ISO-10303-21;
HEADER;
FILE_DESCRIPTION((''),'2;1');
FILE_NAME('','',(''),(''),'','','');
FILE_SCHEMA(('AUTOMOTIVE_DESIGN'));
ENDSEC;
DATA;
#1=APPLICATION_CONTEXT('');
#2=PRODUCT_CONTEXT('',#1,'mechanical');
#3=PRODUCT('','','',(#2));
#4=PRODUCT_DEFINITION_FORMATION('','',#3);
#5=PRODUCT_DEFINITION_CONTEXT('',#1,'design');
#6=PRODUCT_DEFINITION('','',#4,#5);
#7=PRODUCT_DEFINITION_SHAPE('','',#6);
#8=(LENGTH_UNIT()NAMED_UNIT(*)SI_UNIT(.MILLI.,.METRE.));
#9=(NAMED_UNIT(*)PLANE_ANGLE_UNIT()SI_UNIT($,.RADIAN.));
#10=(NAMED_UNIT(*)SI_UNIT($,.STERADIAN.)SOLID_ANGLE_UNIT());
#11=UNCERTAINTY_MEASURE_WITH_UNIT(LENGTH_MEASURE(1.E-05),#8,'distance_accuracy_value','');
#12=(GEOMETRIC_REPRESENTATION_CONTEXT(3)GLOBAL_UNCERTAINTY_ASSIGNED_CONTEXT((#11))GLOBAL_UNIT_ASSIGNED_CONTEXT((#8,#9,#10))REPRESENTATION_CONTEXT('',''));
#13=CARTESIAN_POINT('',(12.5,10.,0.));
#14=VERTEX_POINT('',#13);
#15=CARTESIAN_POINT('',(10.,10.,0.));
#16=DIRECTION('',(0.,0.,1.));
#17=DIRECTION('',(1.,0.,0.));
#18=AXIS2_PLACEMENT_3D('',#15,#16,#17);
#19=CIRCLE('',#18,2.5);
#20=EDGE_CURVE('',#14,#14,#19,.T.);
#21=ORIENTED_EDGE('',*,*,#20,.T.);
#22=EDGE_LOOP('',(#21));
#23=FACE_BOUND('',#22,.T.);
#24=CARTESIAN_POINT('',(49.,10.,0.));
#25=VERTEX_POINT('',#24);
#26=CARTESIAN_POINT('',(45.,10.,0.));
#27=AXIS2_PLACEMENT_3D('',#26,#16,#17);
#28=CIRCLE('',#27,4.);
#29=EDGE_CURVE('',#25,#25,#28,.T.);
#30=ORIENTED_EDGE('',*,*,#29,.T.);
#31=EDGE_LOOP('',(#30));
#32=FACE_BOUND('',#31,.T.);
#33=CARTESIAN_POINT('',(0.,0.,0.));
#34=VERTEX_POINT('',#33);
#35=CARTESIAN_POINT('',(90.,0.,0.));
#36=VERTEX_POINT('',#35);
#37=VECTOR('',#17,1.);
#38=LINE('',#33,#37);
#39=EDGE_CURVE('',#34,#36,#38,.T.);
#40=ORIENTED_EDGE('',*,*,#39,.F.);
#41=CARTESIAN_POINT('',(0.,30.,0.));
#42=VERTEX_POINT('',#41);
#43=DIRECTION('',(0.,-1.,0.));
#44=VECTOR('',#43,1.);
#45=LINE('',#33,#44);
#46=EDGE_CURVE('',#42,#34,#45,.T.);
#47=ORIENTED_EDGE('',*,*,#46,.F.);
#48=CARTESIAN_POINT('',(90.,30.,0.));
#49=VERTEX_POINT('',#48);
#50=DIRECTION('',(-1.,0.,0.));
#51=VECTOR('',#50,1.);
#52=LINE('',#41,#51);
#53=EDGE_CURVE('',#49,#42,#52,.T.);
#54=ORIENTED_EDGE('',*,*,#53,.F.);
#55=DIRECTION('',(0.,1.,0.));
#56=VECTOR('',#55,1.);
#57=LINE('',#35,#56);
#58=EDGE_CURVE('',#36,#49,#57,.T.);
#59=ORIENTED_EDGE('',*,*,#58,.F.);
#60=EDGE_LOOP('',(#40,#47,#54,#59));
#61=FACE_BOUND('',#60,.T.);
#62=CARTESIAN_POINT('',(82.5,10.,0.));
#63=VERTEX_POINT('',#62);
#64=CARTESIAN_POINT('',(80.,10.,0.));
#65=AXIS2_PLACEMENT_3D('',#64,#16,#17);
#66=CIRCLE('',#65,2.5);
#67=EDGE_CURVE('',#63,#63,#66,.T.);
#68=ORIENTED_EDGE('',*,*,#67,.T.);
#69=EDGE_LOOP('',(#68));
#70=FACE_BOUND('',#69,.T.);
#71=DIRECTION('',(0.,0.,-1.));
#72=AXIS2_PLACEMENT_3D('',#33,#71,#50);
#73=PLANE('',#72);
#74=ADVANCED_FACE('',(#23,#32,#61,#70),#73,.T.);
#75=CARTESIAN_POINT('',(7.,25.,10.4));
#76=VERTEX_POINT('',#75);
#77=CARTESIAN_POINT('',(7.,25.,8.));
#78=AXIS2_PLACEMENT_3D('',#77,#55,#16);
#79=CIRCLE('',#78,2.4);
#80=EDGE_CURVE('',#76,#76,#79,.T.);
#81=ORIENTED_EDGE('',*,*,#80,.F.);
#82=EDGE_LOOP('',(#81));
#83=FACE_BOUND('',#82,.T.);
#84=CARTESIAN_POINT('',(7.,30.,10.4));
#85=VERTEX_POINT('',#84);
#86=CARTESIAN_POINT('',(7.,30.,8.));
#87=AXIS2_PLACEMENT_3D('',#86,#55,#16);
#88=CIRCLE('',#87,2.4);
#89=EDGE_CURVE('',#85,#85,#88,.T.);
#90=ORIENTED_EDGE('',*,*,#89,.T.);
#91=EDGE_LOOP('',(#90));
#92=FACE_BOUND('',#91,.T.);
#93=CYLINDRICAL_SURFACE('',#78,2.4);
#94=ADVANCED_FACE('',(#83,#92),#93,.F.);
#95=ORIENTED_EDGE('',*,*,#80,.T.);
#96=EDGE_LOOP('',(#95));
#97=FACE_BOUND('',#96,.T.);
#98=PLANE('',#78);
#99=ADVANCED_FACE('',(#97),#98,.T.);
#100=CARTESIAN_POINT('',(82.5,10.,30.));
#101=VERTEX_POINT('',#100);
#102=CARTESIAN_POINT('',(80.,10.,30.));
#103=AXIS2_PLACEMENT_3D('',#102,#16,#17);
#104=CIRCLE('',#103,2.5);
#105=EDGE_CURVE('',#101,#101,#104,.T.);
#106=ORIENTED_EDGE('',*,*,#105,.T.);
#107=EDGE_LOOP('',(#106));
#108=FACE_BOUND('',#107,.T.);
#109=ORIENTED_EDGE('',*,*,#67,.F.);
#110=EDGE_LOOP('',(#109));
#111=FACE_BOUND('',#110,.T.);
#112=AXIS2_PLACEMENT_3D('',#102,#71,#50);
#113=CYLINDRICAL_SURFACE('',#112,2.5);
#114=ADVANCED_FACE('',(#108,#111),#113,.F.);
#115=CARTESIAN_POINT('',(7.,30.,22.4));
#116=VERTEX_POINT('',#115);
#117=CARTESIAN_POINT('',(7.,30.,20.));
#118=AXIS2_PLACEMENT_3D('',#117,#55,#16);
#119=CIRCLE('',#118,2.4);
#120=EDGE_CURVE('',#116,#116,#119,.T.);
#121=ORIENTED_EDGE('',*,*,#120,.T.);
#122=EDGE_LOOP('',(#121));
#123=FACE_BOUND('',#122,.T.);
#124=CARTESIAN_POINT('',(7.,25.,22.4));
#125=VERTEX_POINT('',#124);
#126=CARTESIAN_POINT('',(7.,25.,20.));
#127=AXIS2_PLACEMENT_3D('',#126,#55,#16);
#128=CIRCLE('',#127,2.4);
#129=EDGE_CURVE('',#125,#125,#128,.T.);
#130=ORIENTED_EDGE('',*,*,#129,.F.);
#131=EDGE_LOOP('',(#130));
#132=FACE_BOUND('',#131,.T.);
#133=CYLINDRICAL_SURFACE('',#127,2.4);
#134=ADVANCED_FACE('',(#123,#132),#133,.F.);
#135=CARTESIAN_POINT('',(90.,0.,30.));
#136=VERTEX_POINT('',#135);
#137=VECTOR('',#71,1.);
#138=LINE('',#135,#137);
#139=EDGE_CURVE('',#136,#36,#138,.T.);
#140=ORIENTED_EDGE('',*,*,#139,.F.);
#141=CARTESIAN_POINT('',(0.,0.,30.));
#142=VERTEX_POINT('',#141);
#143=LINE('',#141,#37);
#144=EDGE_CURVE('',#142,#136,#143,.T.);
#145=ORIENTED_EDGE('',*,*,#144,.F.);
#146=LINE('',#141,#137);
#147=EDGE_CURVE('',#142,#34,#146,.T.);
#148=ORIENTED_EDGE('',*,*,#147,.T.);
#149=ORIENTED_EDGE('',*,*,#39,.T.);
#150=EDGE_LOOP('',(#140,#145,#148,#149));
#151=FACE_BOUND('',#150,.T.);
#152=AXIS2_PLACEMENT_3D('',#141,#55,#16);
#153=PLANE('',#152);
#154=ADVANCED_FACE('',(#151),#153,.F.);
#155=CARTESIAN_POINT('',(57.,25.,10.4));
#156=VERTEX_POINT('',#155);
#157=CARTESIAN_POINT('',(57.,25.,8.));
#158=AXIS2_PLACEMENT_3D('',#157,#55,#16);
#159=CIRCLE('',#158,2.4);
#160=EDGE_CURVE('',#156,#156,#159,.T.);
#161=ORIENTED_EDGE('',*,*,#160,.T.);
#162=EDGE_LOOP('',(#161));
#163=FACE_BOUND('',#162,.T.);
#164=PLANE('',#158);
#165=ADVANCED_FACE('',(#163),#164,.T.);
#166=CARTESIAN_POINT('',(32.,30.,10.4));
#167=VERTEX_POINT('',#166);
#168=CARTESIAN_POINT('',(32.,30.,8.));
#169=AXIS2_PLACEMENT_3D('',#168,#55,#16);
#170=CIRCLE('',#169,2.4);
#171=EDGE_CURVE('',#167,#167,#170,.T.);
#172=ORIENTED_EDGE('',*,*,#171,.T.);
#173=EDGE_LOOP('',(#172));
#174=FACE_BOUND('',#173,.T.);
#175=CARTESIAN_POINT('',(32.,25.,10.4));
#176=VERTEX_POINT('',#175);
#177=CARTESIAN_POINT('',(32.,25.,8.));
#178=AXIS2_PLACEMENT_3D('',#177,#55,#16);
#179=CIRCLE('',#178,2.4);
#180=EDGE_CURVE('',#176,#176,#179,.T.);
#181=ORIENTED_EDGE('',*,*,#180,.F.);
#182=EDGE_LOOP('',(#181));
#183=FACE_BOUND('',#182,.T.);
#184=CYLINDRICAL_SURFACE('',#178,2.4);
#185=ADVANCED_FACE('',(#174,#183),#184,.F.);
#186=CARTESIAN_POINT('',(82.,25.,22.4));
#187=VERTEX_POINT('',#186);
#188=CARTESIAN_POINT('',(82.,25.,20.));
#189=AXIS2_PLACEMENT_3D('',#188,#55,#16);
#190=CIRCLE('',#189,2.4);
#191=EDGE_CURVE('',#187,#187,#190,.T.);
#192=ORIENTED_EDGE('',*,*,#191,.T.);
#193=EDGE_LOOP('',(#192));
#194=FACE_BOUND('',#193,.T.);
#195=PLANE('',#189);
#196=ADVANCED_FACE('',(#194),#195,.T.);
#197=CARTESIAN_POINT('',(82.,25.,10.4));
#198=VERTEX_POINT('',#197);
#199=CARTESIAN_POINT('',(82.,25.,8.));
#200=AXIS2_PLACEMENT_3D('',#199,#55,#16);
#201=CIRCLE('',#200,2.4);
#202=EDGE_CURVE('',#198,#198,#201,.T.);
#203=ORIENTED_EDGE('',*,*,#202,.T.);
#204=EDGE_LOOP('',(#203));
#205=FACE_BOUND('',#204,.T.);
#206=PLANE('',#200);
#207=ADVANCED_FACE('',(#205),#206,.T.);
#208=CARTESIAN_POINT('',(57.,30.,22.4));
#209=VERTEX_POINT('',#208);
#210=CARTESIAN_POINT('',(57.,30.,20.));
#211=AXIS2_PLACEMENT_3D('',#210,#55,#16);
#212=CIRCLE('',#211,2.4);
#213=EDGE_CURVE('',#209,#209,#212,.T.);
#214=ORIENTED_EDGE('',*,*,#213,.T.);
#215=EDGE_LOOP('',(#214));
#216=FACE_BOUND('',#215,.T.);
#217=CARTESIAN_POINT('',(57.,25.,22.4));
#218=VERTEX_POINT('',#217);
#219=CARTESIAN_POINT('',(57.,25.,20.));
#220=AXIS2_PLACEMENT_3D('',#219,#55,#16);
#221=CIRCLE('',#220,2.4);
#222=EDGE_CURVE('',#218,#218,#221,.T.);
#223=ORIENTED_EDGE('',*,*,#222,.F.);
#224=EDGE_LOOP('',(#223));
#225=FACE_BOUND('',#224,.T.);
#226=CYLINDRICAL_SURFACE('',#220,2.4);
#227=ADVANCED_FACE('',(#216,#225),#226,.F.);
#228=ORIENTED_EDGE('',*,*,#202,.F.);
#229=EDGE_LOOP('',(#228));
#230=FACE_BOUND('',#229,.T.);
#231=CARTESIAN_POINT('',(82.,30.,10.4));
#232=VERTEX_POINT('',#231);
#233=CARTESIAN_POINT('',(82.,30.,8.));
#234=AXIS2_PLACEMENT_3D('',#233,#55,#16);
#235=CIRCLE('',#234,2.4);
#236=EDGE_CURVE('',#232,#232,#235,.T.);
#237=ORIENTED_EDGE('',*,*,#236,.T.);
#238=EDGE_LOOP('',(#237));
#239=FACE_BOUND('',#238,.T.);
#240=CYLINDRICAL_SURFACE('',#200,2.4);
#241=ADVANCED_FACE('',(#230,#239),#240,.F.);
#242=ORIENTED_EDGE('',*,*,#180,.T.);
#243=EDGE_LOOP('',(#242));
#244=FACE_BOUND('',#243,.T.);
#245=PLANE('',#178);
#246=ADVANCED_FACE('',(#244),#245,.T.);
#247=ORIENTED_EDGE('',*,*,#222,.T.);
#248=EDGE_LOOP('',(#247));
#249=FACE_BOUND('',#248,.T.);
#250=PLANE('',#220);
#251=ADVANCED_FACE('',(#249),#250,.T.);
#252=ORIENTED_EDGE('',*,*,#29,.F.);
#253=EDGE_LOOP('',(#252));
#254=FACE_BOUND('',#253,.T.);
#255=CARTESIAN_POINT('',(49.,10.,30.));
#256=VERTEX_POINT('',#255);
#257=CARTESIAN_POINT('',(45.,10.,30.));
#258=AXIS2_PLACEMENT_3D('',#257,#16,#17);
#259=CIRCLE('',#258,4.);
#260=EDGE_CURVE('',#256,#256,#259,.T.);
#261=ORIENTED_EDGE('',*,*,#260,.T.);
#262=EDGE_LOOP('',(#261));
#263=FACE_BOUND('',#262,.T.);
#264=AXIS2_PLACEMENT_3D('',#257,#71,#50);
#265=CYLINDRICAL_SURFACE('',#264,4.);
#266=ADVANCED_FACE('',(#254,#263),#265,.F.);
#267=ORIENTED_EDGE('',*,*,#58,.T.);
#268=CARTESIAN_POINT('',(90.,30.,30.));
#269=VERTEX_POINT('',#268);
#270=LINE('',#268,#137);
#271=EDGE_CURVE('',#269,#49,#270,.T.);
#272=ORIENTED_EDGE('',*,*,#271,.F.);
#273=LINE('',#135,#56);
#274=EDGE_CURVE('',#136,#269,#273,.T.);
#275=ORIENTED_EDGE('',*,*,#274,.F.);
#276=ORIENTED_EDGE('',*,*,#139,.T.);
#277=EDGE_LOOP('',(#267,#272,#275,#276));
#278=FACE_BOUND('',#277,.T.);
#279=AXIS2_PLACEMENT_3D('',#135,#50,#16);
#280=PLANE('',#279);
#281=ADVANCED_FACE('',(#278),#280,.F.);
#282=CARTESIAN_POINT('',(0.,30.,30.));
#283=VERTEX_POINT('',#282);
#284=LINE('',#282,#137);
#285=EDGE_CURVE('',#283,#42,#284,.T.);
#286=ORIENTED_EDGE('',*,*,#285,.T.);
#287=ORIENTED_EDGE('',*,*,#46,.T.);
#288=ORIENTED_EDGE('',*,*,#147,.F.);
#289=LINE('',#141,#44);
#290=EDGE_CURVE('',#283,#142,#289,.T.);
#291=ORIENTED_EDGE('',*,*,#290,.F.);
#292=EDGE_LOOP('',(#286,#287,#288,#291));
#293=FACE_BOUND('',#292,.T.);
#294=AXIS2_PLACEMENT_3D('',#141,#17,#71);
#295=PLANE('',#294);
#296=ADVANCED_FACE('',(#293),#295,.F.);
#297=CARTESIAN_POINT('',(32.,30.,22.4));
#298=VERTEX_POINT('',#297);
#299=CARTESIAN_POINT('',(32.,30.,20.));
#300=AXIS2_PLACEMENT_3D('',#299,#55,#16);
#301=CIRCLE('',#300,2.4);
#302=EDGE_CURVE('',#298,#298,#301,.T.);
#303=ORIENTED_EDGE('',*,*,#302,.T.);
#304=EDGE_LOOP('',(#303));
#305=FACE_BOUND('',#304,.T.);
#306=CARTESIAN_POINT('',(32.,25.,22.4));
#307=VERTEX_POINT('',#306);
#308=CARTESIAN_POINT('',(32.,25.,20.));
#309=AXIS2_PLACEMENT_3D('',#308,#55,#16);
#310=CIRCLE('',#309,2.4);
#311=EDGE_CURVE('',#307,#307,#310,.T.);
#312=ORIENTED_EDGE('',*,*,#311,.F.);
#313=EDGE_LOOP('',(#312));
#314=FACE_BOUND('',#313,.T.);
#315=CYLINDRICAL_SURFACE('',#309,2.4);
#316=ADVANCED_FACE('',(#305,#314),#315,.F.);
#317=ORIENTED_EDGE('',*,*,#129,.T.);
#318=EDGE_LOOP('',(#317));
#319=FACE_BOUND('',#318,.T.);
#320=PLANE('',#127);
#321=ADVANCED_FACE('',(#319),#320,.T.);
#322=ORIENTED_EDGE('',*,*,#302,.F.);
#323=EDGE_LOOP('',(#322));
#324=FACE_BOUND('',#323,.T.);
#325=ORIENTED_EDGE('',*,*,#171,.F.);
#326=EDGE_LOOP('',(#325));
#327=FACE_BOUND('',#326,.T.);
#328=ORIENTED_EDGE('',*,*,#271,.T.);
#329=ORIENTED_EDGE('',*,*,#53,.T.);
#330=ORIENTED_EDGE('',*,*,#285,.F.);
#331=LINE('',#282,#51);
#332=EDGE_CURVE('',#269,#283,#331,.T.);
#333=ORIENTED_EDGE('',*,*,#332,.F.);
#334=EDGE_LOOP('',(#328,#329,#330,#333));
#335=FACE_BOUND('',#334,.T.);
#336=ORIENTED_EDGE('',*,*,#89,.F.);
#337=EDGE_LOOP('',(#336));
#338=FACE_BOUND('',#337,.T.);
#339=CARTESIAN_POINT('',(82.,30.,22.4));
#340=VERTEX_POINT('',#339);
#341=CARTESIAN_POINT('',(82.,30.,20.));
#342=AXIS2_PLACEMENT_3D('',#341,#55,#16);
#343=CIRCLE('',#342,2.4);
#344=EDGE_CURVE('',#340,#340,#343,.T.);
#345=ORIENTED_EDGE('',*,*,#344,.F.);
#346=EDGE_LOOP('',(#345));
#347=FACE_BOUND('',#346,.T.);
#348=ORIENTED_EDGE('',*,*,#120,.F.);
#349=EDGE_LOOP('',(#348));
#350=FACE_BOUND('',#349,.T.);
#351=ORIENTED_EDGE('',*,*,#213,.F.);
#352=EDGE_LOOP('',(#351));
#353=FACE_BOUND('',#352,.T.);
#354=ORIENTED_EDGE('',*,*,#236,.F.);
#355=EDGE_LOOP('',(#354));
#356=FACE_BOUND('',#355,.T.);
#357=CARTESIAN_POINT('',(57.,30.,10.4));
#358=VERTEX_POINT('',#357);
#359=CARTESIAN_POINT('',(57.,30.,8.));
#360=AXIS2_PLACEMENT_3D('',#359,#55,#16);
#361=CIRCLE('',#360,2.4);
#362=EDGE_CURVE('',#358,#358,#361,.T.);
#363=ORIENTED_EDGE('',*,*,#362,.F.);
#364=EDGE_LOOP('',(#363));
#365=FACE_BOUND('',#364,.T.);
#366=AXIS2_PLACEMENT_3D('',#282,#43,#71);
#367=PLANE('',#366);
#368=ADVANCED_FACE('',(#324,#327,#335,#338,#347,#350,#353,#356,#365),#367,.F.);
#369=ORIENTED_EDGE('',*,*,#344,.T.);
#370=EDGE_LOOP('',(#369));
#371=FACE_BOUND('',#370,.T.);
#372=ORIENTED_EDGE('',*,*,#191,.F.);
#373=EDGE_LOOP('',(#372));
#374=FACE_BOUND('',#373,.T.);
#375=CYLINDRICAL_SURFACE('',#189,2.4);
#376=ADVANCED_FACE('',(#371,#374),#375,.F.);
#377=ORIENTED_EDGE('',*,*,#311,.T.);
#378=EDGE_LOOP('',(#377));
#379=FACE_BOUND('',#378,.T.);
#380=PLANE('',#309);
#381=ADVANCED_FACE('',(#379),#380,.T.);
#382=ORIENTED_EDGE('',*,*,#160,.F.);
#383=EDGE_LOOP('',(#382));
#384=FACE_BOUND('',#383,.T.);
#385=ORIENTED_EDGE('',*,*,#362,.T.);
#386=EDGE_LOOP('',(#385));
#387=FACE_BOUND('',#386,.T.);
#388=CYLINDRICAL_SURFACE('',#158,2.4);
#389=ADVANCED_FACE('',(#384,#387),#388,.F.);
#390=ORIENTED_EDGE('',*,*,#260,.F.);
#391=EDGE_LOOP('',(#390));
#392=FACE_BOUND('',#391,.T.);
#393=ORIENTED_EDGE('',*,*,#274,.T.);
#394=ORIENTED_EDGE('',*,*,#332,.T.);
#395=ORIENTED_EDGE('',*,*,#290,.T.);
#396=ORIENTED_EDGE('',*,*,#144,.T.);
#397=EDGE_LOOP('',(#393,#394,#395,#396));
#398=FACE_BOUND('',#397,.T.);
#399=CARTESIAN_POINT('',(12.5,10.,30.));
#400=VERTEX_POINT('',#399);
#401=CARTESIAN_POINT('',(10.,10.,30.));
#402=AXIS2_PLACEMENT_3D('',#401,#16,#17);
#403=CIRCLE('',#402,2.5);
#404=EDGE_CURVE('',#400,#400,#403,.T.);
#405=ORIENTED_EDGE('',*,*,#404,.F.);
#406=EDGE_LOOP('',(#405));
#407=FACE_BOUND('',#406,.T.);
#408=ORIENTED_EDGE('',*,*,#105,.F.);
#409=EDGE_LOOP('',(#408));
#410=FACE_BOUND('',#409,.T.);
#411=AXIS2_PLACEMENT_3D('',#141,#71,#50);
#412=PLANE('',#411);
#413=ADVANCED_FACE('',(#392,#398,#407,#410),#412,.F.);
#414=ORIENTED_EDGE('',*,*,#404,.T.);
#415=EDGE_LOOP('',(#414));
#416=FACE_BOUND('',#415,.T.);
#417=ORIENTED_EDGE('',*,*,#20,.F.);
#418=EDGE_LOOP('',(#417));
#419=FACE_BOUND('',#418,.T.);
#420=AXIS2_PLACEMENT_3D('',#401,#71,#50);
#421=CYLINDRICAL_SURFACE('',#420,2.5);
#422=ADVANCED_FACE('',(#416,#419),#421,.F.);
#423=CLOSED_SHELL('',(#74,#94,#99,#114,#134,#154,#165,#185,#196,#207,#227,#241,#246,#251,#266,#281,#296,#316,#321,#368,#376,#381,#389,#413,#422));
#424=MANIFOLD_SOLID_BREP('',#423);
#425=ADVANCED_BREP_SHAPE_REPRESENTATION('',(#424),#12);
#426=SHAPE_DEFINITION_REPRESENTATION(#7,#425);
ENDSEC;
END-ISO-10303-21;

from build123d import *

# Parameters (mm, degrees)
SKETCH1_W           = 90
SKETCH1_H           = 30
SKETCH1_R           = 2.5
SKETCH1_R_2         = 4
BOSS_EXTRUDE1_DEPTH = 30
SKETCH4_R           = 2.4
CUT_EXTRUDE1_DEPTH  = 5


with BuildPart() as part:
    # Sketch1 → Boss-Extrude1 (new body)
    with BuildSketch(Plane.XY):
        with Locations((45, 15)):
            Rectangle(SKETCH1_W, SKETCH1_H)
        with Locations((10, 10)):
            Circle(SKETCH1_R, mode=Mode.SUBTRACT)
        with Locations((45, 10)):
            Circle(SKETCH1_R_2, mode=Mode.SUBTRACT)
        with Locations((80, 10)):
            Circle(SKETCH1_R, mode=Mode.SUBTRACT)
    extrude(amount=BOSS_EXTRUDE1_DEPTH)

    # Sketch4 → Cut-Extrude1 (cut)
    with BuildSketch(Plane(origin=(0, 30, 0), x_dir=(1, 0, 0), z_dir=(0, 1, 0))):
        with Locations(Location((7, -8, 0), (0, 0, 270))):
            Circle(SKETCH4_R)
        with Locations(Location((32, -8, 0), (0, 0, 270))):
            Circle(SKETCH4_R)
        with Locations(Location((57, -8, 0), (0, 0, 270))):
            Circle(SKETCH4_R)
        with Locations(Location((82, -8, 0), (0, 0, 270))):
            Circle(SKETCH4_R)
        with Locations(Location((32, -20, 0), (0, 0, 270))):
            Circle(SKETCH4_R)
        with Locations(Location((57, -20, 0), (0, 0, 270))):
            Circle(SKETCH4_R)
        with Locations(Location((82, -20, 0), (0, 0, 270))):
            Circle(SKETCH4_R)
        with Locations(Location((7, -20, 0), (0, 0, 270))):
            Circle(SKETCH4_R)
    extrude(amount=-CUT_EXTRUDE1_DEPTH, mode=Mode.SUBTRACT)


solid = part.part
